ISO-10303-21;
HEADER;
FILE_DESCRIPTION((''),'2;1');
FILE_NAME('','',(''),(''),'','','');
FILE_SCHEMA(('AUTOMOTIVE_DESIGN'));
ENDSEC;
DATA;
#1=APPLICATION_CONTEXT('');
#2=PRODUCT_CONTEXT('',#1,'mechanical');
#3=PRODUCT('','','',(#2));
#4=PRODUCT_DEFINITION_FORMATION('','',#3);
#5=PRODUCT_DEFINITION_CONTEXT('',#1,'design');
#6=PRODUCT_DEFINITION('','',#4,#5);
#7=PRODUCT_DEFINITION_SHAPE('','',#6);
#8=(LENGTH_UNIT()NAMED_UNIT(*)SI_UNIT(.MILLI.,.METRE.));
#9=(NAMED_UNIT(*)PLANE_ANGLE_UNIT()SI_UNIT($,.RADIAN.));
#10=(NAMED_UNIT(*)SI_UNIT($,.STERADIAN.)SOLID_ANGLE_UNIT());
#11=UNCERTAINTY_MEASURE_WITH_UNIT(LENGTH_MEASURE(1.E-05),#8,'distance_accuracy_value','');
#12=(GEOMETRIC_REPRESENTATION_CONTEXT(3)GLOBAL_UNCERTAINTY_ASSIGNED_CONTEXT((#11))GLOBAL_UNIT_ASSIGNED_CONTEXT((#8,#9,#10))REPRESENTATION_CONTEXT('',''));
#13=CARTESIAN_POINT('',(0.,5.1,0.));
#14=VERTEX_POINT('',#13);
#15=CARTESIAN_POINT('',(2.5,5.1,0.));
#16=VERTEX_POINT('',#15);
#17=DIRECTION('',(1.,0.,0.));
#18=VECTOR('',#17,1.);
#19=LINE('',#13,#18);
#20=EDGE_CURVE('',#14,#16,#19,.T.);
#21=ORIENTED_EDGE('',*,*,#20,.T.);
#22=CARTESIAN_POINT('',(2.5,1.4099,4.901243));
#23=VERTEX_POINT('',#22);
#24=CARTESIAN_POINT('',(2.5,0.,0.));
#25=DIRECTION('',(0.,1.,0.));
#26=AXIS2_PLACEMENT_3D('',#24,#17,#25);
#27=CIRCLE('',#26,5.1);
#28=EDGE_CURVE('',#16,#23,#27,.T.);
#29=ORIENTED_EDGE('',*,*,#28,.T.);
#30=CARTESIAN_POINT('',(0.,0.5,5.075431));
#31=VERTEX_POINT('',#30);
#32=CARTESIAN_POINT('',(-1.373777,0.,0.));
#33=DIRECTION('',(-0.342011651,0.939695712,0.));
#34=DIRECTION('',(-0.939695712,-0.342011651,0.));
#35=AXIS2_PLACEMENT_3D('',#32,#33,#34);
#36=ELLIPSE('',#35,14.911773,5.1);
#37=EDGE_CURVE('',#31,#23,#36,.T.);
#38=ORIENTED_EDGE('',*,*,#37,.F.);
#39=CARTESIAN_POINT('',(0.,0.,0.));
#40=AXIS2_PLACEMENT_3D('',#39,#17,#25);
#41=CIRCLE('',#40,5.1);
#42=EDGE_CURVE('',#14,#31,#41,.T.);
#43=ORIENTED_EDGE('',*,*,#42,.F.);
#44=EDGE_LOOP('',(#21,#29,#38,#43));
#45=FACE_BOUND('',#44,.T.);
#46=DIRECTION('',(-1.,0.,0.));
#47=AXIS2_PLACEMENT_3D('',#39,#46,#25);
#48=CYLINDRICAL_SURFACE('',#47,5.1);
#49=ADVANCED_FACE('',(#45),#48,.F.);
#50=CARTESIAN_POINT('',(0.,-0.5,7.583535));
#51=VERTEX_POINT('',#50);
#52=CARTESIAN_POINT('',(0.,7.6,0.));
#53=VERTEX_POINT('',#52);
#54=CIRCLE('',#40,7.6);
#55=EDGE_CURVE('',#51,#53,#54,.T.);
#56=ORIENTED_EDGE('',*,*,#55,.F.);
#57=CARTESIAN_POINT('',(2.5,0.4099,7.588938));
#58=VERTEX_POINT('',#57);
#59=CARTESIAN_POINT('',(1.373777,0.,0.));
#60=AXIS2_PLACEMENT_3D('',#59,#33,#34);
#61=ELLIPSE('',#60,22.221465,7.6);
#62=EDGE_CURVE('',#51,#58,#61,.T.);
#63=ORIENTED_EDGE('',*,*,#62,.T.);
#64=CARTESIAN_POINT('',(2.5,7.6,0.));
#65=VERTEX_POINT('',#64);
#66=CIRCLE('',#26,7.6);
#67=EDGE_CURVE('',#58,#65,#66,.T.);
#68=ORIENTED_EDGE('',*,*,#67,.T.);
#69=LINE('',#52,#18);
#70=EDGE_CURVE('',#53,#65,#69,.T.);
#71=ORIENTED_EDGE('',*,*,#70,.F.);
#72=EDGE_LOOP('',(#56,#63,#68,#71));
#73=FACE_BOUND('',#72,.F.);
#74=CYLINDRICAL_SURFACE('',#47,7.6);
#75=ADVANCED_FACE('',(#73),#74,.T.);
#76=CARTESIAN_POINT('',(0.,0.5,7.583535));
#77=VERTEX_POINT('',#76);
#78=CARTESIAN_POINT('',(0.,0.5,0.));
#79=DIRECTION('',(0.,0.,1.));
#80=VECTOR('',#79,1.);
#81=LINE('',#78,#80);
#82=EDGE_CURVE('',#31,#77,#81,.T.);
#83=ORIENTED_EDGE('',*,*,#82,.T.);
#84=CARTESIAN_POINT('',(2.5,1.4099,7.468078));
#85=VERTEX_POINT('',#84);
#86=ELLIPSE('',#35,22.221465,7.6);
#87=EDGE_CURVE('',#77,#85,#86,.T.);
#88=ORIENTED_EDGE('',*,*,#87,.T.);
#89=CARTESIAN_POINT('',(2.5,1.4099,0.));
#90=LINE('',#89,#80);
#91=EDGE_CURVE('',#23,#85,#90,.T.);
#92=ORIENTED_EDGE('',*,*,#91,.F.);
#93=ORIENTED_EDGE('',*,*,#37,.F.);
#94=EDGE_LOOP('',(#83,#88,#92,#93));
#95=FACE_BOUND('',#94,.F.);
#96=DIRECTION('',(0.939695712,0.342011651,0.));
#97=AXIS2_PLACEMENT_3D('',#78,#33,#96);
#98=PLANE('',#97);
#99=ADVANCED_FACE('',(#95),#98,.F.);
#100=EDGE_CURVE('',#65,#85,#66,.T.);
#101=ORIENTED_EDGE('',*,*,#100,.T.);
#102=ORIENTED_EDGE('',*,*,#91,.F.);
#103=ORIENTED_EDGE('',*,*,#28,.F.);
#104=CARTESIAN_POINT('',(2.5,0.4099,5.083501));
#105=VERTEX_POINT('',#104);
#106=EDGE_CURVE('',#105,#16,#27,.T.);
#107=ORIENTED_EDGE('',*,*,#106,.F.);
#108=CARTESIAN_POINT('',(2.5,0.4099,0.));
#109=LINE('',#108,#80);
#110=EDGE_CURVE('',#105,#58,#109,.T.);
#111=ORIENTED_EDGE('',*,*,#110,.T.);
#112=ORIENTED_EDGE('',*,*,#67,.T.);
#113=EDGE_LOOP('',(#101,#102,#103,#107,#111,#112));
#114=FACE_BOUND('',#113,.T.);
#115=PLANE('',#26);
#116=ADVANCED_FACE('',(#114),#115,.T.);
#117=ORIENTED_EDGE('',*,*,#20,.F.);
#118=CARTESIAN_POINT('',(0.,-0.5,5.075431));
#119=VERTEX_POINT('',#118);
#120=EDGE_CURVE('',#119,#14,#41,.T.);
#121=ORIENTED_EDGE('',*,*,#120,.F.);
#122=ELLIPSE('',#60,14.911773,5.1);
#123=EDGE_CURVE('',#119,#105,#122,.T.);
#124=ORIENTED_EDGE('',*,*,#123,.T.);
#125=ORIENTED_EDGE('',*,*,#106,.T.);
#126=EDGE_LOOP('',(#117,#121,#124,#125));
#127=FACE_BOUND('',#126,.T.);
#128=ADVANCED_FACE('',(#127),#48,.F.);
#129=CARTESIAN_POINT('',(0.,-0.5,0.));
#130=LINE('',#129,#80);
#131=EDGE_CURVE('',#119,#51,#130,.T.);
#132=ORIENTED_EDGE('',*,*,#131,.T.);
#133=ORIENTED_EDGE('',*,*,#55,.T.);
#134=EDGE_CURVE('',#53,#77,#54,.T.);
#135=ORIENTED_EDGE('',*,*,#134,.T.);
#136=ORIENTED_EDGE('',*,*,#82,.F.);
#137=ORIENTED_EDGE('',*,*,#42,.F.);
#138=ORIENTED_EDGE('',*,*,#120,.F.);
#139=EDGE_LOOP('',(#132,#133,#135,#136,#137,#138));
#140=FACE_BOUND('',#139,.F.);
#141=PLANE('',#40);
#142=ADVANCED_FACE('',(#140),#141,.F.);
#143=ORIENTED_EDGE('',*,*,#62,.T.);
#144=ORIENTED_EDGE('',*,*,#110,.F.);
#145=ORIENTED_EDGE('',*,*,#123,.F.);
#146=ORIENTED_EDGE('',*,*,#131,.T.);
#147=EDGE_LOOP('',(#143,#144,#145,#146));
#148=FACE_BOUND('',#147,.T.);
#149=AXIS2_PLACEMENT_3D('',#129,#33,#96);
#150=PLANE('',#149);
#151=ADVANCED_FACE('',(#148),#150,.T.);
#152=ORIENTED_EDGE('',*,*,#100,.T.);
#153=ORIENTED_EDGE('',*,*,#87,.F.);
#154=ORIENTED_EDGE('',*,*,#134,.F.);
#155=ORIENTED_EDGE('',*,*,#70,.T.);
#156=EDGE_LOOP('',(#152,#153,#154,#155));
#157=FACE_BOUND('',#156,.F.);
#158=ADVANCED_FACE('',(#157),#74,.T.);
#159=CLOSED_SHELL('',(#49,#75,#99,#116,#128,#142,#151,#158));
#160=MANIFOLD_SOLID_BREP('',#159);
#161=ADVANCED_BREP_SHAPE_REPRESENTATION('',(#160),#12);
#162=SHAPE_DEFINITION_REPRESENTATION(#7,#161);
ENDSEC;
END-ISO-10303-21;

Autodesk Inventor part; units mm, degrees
ref_plane "YZ Plane" through (0, 0, 0) normal (1, 0, 0) x (0, 1, 0)
ref_plane "XZ Plane" through (0, 0, 0) normal (0, 1, 0) x (-1, 0, 0)
sketch "Эскиз1" plane through (0, 0, 0) normal (1, 0, 0) x (0, 1, 0)
  circle A0 centre (0, 0) radius 7.6
  circle A1 centre (0, 0) radius 5.1
  dimension "d0" = 10.2
  dimension "d1" = 15.2
extrude "Базовый элемент" add sketch "Эскиз1" along normal blind 2.5
sketch "Эскиз2" plane through (0, 0, 0) normal (0, 0, 1) x (1, 0, 0)
  line L0 (0, -5.1) -> (0, 5.1) projected
  line L1 (2.5, 7.6) -> (2.5, -7.6) projected
  line L2 (-1.2, 0) -> (7.2, 0) projected
  line L3 (0, -0.5) -> (2.5, 0.4099)
  line L4 (0, 0.5) -> (2.5, 1.4099)
  dimension "d4" = 0.5
  dimension "d5" = 0.5
  dimension "d6" = 70
extrude "Вырез" cut sketch "Эскиз2" along normal up to next contours L0 L2 L3 | L0 L4 L1 L3 L2
ref_plane "Work Plane1" through (0, 0, 0) normal (0, -1, 0) x (1, 0, 0)
equation "\"d0\" = SD1"
equation "\"d1\" = SD2"
equation "\"d2\" = SD"
equation "\"d4\" = 0.2 * SD"
equation "\"d5\" = 0.2 * SD"
equation "\"d6\" = FAWI"
equation "\"d7\" = SD"
equation "\"SD1\" = 10.2"
equation "\"SD2\" = 15.2"
equation "\"SD\" = 2.5"
equation "\"FAWI\" = 70deg"
properties part number "Шайба  10 N ГОСТ 6402-70" material "Сталь, мягкая"
